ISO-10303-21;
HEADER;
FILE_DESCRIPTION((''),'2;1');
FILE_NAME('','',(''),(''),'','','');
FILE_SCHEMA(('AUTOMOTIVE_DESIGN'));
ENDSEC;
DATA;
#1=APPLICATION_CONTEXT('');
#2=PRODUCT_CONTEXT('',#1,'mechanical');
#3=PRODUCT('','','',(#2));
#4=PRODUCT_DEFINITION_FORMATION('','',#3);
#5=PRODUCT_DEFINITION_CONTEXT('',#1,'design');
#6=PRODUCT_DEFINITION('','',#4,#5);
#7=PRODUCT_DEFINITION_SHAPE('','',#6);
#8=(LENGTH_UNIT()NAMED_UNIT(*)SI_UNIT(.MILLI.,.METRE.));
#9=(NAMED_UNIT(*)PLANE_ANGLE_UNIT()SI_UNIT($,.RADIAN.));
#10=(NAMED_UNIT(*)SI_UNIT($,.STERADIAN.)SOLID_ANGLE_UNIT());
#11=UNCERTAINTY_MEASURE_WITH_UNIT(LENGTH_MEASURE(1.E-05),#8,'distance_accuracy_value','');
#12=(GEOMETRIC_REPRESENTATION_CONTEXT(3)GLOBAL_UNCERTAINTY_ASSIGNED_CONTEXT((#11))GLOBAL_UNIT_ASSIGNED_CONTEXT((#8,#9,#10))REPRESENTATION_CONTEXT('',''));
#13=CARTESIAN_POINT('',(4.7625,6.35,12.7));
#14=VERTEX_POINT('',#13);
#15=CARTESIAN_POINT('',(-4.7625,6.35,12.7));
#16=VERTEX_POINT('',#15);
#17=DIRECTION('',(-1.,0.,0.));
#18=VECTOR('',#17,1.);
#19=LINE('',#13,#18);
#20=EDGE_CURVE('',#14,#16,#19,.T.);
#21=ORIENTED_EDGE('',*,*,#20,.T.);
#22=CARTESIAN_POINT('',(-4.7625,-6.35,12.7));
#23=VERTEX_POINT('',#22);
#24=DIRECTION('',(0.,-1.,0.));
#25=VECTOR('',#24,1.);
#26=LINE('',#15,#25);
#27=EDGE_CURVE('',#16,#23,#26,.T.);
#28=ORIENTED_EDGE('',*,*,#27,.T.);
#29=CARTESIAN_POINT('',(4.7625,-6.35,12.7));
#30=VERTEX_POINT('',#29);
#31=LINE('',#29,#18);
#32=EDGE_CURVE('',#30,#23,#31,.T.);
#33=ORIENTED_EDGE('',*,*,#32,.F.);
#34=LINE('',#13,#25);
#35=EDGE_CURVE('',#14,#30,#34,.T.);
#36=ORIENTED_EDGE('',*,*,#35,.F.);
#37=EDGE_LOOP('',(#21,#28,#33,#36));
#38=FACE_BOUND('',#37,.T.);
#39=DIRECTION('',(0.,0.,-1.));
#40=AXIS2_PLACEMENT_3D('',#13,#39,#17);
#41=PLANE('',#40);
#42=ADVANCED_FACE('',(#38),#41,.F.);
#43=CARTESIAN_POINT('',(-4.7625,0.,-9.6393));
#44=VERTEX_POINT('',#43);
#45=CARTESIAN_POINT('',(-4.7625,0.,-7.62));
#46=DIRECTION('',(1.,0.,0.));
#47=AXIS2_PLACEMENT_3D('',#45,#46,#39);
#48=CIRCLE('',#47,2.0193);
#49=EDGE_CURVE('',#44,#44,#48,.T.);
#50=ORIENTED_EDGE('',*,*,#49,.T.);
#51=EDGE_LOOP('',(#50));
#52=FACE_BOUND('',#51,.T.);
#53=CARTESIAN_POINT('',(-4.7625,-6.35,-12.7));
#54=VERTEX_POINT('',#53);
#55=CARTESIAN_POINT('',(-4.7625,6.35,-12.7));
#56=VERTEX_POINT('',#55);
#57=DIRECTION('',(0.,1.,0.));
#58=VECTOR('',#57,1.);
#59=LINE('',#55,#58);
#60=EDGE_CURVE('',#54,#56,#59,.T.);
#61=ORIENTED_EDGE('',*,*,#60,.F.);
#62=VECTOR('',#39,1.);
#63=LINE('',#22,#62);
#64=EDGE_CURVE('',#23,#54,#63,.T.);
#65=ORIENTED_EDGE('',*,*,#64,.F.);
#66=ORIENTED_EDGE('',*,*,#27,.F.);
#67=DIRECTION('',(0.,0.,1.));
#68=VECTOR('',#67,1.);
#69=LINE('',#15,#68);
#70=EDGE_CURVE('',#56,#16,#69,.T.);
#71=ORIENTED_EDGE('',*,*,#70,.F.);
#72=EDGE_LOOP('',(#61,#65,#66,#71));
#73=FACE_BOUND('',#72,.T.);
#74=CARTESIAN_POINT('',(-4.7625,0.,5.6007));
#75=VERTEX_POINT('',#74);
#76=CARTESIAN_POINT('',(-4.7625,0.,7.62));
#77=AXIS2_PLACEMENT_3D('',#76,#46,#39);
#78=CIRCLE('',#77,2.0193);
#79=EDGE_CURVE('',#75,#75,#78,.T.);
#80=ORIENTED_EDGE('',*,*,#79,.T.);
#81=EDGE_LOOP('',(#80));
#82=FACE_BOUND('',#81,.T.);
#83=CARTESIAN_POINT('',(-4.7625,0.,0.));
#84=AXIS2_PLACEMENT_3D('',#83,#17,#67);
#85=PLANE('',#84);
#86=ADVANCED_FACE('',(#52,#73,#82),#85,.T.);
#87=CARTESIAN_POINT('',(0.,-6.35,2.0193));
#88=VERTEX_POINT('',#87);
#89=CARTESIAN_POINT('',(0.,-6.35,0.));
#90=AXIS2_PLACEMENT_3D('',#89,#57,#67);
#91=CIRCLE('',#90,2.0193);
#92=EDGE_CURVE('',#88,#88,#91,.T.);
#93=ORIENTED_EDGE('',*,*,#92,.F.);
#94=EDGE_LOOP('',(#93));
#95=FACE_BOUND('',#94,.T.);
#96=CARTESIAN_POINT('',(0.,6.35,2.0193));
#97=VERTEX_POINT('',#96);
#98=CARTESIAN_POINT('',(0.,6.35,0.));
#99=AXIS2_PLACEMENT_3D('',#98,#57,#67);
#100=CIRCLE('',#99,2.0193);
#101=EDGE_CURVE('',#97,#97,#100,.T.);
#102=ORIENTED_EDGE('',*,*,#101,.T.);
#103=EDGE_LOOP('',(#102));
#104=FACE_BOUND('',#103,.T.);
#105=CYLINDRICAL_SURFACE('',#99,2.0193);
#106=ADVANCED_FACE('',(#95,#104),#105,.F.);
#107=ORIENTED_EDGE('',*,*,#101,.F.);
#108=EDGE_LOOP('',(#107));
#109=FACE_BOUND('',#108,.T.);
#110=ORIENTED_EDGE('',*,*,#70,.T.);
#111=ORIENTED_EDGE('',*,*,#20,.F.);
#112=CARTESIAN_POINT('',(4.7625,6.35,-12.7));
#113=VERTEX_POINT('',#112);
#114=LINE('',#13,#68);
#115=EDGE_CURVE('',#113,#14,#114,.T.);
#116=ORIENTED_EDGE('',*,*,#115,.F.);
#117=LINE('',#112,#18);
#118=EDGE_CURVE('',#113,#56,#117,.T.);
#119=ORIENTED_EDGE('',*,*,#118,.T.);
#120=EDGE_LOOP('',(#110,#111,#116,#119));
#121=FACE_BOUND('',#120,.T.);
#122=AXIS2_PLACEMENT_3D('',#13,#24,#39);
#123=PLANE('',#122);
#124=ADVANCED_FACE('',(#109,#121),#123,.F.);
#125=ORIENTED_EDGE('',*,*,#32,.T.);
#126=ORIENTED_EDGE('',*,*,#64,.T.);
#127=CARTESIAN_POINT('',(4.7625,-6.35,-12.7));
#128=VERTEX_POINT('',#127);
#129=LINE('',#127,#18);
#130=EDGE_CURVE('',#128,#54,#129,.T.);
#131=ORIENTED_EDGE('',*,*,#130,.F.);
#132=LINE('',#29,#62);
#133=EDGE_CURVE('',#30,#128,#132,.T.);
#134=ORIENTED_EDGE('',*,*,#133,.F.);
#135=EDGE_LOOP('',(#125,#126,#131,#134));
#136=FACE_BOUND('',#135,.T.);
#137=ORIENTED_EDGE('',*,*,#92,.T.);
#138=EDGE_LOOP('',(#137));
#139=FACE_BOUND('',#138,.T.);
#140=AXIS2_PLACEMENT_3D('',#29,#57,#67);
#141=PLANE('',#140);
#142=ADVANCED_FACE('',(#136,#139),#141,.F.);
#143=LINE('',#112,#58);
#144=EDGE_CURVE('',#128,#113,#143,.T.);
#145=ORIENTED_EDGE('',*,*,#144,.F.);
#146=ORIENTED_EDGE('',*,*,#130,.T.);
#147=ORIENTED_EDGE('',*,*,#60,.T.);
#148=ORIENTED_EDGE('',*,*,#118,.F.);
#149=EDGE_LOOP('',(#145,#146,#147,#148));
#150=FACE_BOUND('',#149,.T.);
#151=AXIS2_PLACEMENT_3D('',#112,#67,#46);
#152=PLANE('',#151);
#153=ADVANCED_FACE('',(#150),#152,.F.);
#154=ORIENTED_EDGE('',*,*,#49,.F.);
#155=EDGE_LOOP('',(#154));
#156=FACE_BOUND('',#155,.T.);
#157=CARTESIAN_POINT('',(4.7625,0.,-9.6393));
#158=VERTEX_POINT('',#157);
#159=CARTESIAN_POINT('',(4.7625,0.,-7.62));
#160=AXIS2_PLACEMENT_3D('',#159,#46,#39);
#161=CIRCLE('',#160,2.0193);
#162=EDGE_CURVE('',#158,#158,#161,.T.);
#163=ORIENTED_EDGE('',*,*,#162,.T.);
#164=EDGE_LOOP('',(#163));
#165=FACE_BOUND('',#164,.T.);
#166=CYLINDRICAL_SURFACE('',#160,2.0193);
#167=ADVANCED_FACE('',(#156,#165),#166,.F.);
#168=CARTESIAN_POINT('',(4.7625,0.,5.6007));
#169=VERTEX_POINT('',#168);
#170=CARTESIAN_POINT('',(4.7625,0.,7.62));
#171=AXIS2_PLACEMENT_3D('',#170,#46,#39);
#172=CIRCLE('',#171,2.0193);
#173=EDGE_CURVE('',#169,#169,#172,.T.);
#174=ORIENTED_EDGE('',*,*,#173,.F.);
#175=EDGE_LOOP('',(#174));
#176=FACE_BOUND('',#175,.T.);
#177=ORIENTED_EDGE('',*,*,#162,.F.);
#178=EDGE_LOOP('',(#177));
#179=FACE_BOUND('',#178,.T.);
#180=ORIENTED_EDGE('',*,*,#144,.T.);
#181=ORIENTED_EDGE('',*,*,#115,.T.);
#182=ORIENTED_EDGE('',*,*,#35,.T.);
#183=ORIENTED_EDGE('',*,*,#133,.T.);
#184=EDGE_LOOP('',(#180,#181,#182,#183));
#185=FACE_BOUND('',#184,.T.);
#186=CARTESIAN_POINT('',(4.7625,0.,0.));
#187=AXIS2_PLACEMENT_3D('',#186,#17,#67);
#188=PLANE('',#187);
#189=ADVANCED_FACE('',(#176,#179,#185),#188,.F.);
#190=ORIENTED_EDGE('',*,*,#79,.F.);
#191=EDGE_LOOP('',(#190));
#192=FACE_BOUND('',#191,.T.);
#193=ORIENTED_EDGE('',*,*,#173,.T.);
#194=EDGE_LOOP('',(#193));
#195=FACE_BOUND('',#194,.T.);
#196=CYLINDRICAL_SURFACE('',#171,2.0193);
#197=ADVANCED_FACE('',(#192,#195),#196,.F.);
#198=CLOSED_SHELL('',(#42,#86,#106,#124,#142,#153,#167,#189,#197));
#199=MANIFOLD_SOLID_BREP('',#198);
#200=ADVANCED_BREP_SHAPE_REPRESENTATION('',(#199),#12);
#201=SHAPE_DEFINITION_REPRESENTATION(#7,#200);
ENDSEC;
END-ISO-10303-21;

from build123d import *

# Parameters (mm, degrees)
SKETCH1_W              = 25.4
SKETCH1_H              = 12.7
BOSS_EXTRUDE1_DEPTH    = 4.7625
F_10_32_TAPPED_HOLE1_D = 4.0386
F_10_32_TAPPED_HOLE2_D = 4.0386


with BuildPart() as part:
    # Sketch1 → Boss-Extrude1 (new, symmetric)
    with BuildSketch(Plane(origin=(0, 0, 0), x_dir=(0, 0, -1), z_dir=(1, 0, 0))):
        Rectangle(SKETCH1_W, SKETCH1_H)
    extrude(amount=BOSS_EXTRUDE1_DEPTH, both=True)

    # #10-32 Tapped Hole1 (through all)
    with Locations(Plane(origin=(0, 6.35, 0), x_dir=(1, 0, 0), z_dir=(0, 1, 0))):
        with Locations((0, 0)):
            Hole(F_10_32_TAPPED_HOLE1_D / 2)

    # #10-32 Tapped Hole2 (through all)
    with Locations(Plane(origin=(4.7625, 0, 0), x_dir=(0, 0, -1), z_dir=(1, 0, 0))):
        with Locations((-7.62, 0), (7.62, 0)):
            Hole(F_10_32_TAPPED_HOLE2_D / 2)


solid = part.part
